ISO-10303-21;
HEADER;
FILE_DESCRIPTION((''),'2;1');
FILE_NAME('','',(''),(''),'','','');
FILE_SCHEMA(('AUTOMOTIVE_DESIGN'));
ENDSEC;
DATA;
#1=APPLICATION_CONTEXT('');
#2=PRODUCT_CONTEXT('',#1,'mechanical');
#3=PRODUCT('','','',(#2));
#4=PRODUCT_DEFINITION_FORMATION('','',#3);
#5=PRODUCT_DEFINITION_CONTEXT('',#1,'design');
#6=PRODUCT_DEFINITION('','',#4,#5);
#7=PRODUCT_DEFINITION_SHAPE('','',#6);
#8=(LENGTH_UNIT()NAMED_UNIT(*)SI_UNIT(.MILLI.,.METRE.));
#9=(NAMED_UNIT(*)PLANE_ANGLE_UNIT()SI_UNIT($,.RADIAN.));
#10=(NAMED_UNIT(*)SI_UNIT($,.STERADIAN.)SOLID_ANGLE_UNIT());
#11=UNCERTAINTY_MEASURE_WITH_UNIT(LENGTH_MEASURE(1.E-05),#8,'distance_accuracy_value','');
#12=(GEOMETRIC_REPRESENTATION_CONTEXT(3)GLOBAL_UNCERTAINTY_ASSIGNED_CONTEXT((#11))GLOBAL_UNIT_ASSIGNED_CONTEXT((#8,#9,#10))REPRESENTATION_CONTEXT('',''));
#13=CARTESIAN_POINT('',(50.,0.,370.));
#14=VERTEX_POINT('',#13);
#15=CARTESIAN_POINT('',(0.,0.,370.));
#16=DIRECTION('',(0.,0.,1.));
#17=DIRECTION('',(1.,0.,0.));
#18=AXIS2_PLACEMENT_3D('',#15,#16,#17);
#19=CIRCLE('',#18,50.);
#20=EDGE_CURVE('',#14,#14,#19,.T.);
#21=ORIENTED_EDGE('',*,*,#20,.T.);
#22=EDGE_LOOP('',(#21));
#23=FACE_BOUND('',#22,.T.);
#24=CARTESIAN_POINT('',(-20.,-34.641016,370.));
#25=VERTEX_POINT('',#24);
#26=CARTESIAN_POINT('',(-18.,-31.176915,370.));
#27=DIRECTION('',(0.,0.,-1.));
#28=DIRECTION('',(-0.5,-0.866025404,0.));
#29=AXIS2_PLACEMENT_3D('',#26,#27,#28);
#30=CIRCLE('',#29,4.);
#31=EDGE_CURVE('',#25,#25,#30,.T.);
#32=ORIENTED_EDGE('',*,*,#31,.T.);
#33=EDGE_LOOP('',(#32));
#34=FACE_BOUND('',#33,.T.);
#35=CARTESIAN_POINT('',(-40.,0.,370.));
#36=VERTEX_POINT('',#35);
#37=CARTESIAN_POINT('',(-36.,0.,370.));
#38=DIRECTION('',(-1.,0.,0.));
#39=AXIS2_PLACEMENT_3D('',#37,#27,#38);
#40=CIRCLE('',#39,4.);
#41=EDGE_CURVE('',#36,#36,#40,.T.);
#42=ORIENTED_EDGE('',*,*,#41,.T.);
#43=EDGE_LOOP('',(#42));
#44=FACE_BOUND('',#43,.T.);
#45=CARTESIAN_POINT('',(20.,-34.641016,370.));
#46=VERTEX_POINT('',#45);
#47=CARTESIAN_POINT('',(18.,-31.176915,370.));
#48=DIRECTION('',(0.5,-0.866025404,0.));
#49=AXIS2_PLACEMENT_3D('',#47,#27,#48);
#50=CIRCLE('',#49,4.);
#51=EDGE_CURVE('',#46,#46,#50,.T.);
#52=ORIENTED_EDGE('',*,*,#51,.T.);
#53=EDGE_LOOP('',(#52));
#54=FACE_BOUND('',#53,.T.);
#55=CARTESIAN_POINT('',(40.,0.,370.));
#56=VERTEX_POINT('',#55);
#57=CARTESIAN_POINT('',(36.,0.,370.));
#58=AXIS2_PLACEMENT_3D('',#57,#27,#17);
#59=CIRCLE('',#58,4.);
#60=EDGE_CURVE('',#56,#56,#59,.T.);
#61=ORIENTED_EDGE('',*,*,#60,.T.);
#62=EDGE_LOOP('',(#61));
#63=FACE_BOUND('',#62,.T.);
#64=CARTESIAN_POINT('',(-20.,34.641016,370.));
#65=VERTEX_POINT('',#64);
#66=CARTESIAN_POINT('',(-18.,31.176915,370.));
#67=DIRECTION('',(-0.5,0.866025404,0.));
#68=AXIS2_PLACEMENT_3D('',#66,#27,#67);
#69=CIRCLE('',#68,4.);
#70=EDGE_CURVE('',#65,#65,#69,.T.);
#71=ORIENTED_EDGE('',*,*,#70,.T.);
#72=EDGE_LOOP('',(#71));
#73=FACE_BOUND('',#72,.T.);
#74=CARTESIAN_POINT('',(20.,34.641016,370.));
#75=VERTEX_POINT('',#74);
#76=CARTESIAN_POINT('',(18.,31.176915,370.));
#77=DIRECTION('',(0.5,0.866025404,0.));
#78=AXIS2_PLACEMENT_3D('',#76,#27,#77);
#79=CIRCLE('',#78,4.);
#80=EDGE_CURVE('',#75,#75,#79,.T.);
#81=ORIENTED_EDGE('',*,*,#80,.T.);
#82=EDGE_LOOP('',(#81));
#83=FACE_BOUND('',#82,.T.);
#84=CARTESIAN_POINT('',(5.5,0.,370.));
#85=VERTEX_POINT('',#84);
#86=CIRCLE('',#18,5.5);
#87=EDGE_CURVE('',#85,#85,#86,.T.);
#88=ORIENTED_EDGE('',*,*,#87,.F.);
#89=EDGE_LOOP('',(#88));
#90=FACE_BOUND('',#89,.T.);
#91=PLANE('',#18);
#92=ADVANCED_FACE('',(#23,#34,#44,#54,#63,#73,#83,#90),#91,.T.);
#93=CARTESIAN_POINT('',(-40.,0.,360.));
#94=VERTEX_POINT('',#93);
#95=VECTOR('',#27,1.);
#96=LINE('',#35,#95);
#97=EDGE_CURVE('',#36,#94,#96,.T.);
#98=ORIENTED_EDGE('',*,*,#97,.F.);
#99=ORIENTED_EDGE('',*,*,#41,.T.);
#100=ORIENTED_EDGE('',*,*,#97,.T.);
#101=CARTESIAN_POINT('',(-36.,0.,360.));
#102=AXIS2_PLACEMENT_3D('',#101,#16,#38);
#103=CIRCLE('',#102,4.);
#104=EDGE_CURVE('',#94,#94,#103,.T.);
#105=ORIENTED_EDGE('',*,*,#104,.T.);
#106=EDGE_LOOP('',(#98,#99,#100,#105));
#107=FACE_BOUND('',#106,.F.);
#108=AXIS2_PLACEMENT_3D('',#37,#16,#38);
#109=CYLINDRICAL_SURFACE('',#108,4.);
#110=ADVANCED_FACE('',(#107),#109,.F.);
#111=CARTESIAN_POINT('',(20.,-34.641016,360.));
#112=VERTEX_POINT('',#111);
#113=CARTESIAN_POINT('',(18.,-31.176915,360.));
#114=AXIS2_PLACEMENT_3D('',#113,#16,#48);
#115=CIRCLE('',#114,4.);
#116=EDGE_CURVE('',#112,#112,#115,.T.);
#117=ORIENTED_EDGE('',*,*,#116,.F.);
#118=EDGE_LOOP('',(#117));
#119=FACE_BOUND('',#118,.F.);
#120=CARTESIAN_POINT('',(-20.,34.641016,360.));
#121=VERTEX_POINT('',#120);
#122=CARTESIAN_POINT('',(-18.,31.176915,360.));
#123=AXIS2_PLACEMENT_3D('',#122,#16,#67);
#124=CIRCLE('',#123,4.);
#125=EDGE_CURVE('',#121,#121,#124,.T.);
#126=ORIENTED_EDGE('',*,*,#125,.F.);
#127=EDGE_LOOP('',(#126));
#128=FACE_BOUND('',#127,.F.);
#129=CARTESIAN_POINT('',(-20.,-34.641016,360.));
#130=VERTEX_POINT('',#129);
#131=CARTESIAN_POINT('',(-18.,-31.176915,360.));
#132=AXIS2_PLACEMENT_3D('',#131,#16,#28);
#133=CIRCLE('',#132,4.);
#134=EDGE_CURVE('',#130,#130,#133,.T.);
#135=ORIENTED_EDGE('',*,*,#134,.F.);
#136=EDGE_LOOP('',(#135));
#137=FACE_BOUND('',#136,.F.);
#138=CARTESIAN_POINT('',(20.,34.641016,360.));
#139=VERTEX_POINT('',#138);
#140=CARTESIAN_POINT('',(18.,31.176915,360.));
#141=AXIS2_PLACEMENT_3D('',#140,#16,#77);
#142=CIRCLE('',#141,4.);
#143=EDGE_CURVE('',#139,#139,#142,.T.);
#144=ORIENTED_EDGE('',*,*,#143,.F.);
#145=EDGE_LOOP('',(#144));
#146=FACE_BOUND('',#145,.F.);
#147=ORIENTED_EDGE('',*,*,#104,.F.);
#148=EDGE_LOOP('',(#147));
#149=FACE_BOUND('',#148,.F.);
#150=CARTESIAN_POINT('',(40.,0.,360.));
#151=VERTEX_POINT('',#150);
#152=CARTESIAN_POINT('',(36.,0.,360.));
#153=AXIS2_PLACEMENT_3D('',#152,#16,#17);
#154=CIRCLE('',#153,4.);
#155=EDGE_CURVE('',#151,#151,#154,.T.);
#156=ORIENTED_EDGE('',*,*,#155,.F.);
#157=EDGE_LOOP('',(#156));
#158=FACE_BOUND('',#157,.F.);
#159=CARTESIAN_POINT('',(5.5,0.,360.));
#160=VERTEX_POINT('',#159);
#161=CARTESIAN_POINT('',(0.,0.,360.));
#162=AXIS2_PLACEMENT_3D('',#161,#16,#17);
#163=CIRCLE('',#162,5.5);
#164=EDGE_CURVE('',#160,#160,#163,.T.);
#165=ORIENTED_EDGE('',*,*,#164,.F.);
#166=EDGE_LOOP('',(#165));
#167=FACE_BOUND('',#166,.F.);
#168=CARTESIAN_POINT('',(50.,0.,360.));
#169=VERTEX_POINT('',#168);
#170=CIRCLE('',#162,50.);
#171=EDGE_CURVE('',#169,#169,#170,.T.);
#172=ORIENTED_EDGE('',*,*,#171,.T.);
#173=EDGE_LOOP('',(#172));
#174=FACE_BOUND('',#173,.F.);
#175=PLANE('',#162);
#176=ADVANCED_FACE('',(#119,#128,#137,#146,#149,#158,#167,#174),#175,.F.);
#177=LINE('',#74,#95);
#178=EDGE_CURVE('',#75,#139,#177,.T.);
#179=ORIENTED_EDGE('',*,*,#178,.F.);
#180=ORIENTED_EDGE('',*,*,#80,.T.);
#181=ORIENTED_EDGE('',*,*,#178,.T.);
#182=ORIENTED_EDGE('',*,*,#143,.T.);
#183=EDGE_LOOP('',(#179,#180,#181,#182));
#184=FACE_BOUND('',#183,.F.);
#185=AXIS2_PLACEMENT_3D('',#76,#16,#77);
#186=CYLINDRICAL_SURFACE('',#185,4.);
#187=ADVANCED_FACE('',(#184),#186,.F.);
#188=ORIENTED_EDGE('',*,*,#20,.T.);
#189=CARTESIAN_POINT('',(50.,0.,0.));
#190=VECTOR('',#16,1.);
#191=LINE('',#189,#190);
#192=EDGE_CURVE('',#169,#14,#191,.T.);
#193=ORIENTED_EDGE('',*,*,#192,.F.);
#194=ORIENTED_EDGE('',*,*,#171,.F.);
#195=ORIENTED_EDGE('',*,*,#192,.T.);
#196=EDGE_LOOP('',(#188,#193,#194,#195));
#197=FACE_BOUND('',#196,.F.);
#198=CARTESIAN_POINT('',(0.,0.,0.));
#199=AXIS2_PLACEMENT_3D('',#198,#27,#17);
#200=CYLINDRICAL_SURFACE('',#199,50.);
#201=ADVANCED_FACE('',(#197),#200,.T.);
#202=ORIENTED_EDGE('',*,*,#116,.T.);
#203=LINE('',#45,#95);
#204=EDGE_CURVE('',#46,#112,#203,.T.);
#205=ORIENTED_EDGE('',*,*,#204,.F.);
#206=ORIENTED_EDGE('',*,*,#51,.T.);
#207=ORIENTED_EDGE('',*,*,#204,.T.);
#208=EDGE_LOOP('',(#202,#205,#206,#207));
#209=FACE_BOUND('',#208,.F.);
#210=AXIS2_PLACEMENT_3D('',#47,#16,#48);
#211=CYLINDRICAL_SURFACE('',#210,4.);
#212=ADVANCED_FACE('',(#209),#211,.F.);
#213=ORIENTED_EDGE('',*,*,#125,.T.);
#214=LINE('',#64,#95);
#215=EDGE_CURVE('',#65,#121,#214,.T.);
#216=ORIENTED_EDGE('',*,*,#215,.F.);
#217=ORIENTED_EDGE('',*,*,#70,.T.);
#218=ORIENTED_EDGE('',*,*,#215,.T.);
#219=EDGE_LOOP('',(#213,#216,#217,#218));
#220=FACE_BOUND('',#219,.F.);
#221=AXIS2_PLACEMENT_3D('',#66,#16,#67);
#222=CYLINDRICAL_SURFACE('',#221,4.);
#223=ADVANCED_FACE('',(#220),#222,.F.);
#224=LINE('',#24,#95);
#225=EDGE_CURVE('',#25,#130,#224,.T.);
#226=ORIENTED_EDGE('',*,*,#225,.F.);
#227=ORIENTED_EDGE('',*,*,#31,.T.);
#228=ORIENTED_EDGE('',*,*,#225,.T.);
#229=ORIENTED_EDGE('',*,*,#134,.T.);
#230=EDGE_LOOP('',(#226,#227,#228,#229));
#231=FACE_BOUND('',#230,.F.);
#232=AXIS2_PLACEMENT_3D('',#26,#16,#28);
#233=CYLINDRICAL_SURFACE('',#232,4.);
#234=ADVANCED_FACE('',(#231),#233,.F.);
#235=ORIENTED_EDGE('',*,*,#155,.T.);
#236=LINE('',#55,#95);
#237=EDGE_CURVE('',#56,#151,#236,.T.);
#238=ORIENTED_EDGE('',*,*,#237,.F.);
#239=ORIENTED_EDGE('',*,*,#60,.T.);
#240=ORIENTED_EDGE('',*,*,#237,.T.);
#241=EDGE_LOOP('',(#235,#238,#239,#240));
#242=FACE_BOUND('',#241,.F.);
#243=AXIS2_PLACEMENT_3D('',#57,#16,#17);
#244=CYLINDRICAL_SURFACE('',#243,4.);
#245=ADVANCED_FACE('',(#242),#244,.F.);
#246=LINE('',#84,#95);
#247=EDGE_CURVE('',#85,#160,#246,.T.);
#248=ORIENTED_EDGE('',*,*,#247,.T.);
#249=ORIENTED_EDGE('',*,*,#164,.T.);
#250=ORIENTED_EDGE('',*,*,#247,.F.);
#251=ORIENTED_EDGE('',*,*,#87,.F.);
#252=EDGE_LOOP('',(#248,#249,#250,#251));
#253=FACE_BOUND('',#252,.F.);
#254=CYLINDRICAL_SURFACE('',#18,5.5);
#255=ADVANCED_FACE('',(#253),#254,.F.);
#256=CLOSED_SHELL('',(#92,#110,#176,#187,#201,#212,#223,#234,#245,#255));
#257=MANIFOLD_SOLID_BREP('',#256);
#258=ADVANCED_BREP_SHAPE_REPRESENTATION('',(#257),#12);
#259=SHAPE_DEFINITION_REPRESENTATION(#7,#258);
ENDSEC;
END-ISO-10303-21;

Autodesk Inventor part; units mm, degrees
ref_plane "YZ Plane" through (0, 0, 0) normal (1, 0, 0) x (0, 1, 0)
ref_plane "XZ Plane" through (0, 0, 0) normal (0, 1, 0) x (-1, 0, 0)
sketch "Sketch1" plane through (0, 0, 0) normal (0, 0, 1) x (1, 0, 0)
  circle A0 centre (0, 0) radius 50
  dimension "d1" = 100
extrude "Extrusion1" add sketch "Sketch1" along normal blind 370
ref_plane "Work Plane1" through (0, 0, 360) normal (0, 0, 1) x (1, 0, 0)
sketch "Sketch2" plane through (0, 0, 360) normal (0, 0, 1) x (1, 0, 0)
  point P0 (0, 0)
sketch "Sketch3" plane through (0, 0, 360) normal (0, 0, 1) x (1, 0, 0)
  circle A0 centre (0, 0) radius 50
extrude "Extrusion2" cut sketch "Sketch3" against normal blind 370
sketch "Sketch4" plane through (0, 0, 370) normal (0, 0, 1) x (1, 0, 0)
  circle A0 centre (0, 0) radius 5.5
  line L0 (0, 0) -> (36, 0)
  circle A1 centre (36, 0) radius 4
  dimension "d7" = 11
  dimension "d8" = 36
  dimension "d9" = 8
extrude "Extrusion3" cut sketch "Sketch4" against normal blind 370 contours A0
sketch "Sketch5" plane through (0, 0, 370) normal (0, 0, 1) x (1, 0, 0)
  line L0 (0, 0) -> (36, 0)
  circle A0 centre (36, 0) radius 4
  dimension "d12" = 36
  dimension "d13" = 8
extrude "Extrusion4" cut sketch "Sketch5" against normal blind 370
pattern_circular "Circular Pattern1" count 6 over 360 about axis through (0, 0, 370) along (0, 0, -1) of "Extrusion4"
properties part number "flange2"
